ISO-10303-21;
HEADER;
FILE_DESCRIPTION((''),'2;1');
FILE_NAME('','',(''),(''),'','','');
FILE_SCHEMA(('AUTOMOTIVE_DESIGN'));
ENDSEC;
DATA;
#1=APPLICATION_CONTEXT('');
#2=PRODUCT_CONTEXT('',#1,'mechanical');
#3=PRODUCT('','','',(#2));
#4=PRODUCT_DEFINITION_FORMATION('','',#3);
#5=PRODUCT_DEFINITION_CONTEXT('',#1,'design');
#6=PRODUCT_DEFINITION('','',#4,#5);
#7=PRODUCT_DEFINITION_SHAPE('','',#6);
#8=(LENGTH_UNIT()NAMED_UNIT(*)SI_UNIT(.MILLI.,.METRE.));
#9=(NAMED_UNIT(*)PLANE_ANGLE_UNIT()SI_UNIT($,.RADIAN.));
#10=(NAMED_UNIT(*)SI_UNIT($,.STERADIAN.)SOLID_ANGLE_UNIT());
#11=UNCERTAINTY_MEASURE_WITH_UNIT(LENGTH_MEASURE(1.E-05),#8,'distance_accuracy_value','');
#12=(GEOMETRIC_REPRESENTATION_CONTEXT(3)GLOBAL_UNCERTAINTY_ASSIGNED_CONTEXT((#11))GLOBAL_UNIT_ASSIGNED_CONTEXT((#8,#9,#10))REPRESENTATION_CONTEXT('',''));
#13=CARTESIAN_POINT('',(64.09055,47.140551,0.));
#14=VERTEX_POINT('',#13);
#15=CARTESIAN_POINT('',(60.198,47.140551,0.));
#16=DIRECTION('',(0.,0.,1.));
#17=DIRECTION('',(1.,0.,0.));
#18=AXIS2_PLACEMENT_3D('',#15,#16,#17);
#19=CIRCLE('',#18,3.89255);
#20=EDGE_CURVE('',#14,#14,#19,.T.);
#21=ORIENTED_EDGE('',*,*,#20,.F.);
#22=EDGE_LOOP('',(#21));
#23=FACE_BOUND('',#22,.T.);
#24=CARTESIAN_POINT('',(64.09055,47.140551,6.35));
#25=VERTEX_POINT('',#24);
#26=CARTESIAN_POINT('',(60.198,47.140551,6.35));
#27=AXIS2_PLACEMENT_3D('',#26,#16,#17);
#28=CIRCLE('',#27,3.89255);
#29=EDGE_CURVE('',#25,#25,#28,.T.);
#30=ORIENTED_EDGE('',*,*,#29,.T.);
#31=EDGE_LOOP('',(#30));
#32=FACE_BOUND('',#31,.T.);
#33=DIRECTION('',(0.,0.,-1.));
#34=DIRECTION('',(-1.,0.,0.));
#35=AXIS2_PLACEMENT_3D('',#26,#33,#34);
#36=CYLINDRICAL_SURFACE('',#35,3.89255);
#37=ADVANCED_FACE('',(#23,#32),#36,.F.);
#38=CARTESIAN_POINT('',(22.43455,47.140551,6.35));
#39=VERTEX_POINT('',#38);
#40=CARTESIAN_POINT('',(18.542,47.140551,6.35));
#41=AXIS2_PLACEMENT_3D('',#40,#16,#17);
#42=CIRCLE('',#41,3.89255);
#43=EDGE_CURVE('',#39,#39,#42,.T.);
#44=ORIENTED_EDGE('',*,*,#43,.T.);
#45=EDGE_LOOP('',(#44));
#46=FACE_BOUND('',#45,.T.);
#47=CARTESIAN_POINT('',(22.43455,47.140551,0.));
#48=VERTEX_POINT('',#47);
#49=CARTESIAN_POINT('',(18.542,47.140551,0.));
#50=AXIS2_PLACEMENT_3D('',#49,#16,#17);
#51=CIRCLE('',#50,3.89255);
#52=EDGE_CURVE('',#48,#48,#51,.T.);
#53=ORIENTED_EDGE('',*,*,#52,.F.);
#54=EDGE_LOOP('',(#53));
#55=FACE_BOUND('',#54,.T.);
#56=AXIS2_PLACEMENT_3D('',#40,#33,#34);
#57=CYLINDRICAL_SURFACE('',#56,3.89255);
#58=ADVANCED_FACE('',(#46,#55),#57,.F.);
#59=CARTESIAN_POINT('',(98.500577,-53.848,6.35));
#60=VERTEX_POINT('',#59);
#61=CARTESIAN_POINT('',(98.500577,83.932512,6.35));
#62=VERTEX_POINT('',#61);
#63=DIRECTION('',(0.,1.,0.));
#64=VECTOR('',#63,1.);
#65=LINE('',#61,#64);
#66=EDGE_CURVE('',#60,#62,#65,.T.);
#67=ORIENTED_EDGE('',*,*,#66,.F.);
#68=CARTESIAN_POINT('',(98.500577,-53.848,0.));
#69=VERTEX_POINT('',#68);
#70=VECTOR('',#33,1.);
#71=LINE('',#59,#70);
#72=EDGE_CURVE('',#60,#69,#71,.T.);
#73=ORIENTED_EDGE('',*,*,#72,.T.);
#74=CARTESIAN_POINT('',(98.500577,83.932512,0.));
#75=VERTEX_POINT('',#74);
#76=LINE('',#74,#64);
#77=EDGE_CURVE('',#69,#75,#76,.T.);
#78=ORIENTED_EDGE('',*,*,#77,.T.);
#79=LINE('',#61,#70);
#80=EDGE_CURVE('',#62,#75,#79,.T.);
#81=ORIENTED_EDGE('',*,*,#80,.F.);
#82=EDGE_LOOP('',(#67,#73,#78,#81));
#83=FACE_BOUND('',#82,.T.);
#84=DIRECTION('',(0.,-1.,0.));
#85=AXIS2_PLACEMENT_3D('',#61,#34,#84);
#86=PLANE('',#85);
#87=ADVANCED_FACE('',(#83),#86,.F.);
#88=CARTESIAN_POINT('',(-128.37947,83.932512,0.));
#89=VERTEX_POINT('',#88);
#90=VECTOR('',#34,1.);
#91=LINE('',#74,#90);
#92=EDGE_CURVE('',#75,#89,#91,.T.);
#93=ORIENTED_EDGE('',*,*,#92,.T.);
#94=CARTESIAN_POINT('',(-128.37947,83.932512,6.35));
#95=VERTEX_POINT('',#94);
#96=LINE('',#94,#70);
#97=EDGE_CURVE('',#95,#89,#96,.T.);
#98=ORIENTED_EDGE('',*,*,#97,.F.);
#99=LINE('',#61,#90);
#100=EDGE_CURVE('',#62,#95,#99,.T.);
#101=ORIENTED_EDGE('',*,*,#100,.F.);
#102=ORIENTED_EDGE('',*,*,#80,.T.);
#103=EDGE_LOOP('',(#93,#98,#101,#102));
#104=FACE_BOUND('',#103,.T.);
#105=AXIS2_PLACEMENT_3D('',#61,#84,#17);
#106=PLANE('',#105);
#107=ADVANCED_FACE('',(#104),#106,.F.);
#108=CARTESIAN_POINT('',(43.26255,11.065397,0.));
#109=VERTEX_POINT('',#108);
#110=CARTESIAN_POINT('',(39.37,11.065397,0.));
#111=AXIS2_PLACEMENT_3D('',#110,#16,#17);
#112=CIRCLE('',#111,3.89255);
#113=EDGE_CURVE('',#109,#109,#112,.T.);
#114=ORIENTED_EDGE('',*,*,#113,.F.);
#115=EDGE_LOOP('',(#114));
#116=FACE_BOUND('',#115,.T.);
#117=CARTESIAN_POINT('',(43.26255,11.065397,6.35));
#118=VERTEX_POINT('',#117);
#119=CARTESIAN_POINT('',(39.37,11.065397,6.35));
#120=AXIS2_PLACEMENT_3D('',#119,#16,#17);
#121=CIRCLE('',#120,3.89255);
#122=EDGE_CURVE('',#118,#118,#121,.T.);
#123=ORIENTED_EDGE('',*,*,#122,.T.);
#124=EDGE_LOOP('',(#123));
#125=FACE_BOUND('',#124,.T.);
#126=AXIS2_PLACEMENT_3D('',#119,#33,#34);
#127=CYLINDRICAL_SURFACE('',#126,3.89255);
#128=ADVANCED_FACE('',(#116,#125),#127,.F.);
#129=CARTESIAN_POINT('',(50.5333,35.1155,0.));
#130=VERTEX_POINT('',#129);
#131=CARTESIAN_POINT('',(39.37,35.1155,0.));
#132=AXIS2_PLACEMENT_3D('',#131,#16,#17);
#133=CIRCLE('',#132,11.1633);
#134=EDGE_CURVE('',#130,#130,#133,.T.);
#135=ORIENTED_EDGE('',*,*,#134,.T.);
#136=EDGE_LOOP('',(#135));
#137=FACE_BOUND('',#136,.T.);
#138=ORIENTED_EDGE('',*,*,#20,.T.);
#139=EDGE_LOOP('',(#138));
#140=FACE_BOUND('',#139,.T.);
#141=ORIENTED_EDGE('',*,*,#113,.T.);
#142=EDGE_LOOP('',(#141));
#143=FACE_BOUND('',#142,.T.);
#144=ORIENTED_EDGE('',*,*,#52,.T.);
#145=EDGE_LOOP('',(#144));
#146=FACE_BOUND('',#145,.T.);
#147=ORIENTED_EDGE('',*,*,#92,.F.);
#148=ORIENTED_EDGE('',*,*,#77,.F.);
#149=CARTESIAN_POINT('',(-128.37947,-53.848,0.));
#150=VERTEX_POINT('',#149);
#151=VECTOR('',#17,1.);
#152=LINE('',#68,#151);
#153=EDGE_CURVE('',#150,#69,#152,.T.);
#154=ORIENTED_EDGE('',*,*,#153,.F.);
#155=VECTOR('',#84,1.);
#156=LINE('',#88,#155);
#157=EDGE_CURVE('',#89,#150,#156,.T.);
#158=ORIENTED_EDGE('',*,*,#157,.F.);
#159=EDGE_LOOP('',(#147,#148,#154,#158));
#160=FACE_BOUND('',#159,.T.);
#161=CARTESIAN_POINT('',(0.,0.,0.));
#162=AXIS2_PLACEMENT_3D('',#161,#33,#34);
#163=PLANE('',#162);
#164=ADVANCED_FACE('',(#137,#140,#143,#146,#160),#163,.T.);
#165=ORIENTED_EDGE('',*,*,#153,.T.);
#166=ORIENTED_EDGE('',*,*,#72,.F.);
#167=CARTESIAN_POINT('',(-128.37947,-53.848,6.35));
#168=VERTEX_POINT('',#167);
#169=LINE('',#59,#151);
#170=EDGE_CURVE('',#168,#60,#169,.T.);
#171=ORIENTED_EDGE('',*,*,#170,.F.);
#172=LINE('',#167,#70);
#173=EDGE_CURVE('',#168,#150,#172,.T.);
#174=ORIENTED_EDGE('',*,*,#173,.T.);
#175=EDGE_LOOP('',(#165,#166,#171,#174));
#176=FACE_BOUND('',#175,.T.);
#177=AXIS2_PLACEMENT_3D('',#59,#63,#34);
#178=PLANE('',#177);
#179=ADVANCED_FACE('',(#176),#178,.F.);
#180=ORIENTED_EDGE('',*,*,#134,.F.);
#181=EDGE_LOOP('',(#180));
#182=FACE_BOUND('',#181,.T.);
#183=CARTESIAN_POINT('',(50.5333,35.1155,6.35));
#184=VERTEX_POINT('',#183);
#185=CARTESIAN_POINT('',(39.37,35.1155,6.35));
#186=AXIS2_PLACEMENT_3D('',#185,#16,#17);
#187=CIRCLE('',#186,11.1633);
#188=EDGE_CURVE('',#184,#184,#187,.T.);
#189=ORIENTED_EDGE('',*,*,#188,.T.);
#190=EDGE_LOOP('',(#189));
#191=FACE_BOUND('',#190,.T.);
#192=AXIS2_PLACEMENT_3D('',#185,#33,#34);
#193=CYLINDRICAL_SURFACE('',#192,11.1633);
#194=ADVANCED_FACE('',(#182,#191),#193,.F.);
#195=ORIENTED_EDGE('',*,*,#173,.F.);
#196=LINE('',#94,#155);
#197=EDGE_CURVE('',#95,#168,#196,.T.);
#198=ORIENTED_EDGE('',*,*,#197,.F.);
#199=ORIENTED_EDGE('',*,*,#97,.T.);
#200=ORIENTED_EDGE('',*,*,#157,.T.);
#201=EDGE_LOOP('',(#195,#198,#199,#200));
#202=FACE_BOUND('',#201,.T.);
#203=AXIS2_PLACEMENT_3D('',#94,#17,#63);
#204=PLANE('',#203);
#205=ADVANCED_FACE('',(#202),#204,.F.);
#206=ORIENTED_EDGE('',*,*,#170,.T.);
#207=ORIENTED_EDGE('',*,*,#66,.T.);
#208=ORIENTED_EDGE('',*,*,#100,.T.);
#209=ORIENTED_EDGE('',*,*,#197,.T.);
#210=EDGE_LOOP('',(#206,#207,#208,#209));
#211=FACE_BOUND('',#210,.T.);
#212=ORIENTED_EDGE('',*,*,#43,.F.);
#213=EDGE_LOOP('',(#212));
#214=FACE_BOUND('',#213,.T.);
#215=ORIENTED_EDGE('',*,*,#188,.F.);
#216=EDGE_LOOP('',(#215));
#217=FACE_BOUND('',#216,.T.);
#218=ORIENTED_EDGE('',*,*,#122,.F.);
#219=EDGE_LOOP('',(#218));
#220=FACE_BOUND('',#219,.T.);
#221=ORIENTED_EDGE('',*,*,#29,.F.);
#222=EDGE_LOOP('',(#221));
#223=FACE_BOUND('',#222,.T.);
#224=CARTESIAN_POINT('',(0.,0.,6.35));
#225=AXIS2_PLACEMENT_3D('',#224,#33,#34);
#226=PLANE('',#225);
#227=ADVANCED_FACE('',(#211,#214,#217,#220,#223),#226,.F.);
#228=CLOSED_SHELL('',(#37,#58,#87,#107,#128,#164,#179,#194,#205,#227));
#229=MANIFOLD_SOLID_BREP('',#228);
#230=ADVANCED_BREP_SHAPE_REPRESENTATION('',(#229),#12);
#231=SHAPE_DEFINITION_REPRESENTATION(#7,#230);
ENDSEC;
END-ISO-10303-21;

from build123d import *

# Parameters (mm, degrees)
SKETCH1_W           = 226.880047424
SKETCH1_H           = 137.780512054
SKETCH1_R           = 11.1633
SKETCH1_R_2         = 3.89255
BOSS_EXTRUDE1_DEPTH = 6.35


with BuildPart() as part:
    # Sketch1 → Boss-Extrude1 (new body)
    with BuildSketch(Plane.XY):
        with Locations((-14.939446487, 15.042256027)):
            Rectangle(SKETCH1_W, SKETCH1_H)
        with Locations((39.37, 35.1155)):
            Circle(SKETCH1_R, mode=Mode.SUBTRACT)
        with Locations((60.198, 47.140551407)):
            Circle(SKETCH1_R_2, mode=Mode.SUBTRACT)
        with Locations((39.37, 11.065397187)):
            Circle(SKETCH1_R_2, mode=Mode.SUBTRACT)
        with Locations((18.542, 47.140551407)):
            Circle(SKETCH1_R_2, mode=Mode.SUBTRACT)
    extrude(amount=BOSS_EXTRUDE1_DEPTH)


solid = part.part
